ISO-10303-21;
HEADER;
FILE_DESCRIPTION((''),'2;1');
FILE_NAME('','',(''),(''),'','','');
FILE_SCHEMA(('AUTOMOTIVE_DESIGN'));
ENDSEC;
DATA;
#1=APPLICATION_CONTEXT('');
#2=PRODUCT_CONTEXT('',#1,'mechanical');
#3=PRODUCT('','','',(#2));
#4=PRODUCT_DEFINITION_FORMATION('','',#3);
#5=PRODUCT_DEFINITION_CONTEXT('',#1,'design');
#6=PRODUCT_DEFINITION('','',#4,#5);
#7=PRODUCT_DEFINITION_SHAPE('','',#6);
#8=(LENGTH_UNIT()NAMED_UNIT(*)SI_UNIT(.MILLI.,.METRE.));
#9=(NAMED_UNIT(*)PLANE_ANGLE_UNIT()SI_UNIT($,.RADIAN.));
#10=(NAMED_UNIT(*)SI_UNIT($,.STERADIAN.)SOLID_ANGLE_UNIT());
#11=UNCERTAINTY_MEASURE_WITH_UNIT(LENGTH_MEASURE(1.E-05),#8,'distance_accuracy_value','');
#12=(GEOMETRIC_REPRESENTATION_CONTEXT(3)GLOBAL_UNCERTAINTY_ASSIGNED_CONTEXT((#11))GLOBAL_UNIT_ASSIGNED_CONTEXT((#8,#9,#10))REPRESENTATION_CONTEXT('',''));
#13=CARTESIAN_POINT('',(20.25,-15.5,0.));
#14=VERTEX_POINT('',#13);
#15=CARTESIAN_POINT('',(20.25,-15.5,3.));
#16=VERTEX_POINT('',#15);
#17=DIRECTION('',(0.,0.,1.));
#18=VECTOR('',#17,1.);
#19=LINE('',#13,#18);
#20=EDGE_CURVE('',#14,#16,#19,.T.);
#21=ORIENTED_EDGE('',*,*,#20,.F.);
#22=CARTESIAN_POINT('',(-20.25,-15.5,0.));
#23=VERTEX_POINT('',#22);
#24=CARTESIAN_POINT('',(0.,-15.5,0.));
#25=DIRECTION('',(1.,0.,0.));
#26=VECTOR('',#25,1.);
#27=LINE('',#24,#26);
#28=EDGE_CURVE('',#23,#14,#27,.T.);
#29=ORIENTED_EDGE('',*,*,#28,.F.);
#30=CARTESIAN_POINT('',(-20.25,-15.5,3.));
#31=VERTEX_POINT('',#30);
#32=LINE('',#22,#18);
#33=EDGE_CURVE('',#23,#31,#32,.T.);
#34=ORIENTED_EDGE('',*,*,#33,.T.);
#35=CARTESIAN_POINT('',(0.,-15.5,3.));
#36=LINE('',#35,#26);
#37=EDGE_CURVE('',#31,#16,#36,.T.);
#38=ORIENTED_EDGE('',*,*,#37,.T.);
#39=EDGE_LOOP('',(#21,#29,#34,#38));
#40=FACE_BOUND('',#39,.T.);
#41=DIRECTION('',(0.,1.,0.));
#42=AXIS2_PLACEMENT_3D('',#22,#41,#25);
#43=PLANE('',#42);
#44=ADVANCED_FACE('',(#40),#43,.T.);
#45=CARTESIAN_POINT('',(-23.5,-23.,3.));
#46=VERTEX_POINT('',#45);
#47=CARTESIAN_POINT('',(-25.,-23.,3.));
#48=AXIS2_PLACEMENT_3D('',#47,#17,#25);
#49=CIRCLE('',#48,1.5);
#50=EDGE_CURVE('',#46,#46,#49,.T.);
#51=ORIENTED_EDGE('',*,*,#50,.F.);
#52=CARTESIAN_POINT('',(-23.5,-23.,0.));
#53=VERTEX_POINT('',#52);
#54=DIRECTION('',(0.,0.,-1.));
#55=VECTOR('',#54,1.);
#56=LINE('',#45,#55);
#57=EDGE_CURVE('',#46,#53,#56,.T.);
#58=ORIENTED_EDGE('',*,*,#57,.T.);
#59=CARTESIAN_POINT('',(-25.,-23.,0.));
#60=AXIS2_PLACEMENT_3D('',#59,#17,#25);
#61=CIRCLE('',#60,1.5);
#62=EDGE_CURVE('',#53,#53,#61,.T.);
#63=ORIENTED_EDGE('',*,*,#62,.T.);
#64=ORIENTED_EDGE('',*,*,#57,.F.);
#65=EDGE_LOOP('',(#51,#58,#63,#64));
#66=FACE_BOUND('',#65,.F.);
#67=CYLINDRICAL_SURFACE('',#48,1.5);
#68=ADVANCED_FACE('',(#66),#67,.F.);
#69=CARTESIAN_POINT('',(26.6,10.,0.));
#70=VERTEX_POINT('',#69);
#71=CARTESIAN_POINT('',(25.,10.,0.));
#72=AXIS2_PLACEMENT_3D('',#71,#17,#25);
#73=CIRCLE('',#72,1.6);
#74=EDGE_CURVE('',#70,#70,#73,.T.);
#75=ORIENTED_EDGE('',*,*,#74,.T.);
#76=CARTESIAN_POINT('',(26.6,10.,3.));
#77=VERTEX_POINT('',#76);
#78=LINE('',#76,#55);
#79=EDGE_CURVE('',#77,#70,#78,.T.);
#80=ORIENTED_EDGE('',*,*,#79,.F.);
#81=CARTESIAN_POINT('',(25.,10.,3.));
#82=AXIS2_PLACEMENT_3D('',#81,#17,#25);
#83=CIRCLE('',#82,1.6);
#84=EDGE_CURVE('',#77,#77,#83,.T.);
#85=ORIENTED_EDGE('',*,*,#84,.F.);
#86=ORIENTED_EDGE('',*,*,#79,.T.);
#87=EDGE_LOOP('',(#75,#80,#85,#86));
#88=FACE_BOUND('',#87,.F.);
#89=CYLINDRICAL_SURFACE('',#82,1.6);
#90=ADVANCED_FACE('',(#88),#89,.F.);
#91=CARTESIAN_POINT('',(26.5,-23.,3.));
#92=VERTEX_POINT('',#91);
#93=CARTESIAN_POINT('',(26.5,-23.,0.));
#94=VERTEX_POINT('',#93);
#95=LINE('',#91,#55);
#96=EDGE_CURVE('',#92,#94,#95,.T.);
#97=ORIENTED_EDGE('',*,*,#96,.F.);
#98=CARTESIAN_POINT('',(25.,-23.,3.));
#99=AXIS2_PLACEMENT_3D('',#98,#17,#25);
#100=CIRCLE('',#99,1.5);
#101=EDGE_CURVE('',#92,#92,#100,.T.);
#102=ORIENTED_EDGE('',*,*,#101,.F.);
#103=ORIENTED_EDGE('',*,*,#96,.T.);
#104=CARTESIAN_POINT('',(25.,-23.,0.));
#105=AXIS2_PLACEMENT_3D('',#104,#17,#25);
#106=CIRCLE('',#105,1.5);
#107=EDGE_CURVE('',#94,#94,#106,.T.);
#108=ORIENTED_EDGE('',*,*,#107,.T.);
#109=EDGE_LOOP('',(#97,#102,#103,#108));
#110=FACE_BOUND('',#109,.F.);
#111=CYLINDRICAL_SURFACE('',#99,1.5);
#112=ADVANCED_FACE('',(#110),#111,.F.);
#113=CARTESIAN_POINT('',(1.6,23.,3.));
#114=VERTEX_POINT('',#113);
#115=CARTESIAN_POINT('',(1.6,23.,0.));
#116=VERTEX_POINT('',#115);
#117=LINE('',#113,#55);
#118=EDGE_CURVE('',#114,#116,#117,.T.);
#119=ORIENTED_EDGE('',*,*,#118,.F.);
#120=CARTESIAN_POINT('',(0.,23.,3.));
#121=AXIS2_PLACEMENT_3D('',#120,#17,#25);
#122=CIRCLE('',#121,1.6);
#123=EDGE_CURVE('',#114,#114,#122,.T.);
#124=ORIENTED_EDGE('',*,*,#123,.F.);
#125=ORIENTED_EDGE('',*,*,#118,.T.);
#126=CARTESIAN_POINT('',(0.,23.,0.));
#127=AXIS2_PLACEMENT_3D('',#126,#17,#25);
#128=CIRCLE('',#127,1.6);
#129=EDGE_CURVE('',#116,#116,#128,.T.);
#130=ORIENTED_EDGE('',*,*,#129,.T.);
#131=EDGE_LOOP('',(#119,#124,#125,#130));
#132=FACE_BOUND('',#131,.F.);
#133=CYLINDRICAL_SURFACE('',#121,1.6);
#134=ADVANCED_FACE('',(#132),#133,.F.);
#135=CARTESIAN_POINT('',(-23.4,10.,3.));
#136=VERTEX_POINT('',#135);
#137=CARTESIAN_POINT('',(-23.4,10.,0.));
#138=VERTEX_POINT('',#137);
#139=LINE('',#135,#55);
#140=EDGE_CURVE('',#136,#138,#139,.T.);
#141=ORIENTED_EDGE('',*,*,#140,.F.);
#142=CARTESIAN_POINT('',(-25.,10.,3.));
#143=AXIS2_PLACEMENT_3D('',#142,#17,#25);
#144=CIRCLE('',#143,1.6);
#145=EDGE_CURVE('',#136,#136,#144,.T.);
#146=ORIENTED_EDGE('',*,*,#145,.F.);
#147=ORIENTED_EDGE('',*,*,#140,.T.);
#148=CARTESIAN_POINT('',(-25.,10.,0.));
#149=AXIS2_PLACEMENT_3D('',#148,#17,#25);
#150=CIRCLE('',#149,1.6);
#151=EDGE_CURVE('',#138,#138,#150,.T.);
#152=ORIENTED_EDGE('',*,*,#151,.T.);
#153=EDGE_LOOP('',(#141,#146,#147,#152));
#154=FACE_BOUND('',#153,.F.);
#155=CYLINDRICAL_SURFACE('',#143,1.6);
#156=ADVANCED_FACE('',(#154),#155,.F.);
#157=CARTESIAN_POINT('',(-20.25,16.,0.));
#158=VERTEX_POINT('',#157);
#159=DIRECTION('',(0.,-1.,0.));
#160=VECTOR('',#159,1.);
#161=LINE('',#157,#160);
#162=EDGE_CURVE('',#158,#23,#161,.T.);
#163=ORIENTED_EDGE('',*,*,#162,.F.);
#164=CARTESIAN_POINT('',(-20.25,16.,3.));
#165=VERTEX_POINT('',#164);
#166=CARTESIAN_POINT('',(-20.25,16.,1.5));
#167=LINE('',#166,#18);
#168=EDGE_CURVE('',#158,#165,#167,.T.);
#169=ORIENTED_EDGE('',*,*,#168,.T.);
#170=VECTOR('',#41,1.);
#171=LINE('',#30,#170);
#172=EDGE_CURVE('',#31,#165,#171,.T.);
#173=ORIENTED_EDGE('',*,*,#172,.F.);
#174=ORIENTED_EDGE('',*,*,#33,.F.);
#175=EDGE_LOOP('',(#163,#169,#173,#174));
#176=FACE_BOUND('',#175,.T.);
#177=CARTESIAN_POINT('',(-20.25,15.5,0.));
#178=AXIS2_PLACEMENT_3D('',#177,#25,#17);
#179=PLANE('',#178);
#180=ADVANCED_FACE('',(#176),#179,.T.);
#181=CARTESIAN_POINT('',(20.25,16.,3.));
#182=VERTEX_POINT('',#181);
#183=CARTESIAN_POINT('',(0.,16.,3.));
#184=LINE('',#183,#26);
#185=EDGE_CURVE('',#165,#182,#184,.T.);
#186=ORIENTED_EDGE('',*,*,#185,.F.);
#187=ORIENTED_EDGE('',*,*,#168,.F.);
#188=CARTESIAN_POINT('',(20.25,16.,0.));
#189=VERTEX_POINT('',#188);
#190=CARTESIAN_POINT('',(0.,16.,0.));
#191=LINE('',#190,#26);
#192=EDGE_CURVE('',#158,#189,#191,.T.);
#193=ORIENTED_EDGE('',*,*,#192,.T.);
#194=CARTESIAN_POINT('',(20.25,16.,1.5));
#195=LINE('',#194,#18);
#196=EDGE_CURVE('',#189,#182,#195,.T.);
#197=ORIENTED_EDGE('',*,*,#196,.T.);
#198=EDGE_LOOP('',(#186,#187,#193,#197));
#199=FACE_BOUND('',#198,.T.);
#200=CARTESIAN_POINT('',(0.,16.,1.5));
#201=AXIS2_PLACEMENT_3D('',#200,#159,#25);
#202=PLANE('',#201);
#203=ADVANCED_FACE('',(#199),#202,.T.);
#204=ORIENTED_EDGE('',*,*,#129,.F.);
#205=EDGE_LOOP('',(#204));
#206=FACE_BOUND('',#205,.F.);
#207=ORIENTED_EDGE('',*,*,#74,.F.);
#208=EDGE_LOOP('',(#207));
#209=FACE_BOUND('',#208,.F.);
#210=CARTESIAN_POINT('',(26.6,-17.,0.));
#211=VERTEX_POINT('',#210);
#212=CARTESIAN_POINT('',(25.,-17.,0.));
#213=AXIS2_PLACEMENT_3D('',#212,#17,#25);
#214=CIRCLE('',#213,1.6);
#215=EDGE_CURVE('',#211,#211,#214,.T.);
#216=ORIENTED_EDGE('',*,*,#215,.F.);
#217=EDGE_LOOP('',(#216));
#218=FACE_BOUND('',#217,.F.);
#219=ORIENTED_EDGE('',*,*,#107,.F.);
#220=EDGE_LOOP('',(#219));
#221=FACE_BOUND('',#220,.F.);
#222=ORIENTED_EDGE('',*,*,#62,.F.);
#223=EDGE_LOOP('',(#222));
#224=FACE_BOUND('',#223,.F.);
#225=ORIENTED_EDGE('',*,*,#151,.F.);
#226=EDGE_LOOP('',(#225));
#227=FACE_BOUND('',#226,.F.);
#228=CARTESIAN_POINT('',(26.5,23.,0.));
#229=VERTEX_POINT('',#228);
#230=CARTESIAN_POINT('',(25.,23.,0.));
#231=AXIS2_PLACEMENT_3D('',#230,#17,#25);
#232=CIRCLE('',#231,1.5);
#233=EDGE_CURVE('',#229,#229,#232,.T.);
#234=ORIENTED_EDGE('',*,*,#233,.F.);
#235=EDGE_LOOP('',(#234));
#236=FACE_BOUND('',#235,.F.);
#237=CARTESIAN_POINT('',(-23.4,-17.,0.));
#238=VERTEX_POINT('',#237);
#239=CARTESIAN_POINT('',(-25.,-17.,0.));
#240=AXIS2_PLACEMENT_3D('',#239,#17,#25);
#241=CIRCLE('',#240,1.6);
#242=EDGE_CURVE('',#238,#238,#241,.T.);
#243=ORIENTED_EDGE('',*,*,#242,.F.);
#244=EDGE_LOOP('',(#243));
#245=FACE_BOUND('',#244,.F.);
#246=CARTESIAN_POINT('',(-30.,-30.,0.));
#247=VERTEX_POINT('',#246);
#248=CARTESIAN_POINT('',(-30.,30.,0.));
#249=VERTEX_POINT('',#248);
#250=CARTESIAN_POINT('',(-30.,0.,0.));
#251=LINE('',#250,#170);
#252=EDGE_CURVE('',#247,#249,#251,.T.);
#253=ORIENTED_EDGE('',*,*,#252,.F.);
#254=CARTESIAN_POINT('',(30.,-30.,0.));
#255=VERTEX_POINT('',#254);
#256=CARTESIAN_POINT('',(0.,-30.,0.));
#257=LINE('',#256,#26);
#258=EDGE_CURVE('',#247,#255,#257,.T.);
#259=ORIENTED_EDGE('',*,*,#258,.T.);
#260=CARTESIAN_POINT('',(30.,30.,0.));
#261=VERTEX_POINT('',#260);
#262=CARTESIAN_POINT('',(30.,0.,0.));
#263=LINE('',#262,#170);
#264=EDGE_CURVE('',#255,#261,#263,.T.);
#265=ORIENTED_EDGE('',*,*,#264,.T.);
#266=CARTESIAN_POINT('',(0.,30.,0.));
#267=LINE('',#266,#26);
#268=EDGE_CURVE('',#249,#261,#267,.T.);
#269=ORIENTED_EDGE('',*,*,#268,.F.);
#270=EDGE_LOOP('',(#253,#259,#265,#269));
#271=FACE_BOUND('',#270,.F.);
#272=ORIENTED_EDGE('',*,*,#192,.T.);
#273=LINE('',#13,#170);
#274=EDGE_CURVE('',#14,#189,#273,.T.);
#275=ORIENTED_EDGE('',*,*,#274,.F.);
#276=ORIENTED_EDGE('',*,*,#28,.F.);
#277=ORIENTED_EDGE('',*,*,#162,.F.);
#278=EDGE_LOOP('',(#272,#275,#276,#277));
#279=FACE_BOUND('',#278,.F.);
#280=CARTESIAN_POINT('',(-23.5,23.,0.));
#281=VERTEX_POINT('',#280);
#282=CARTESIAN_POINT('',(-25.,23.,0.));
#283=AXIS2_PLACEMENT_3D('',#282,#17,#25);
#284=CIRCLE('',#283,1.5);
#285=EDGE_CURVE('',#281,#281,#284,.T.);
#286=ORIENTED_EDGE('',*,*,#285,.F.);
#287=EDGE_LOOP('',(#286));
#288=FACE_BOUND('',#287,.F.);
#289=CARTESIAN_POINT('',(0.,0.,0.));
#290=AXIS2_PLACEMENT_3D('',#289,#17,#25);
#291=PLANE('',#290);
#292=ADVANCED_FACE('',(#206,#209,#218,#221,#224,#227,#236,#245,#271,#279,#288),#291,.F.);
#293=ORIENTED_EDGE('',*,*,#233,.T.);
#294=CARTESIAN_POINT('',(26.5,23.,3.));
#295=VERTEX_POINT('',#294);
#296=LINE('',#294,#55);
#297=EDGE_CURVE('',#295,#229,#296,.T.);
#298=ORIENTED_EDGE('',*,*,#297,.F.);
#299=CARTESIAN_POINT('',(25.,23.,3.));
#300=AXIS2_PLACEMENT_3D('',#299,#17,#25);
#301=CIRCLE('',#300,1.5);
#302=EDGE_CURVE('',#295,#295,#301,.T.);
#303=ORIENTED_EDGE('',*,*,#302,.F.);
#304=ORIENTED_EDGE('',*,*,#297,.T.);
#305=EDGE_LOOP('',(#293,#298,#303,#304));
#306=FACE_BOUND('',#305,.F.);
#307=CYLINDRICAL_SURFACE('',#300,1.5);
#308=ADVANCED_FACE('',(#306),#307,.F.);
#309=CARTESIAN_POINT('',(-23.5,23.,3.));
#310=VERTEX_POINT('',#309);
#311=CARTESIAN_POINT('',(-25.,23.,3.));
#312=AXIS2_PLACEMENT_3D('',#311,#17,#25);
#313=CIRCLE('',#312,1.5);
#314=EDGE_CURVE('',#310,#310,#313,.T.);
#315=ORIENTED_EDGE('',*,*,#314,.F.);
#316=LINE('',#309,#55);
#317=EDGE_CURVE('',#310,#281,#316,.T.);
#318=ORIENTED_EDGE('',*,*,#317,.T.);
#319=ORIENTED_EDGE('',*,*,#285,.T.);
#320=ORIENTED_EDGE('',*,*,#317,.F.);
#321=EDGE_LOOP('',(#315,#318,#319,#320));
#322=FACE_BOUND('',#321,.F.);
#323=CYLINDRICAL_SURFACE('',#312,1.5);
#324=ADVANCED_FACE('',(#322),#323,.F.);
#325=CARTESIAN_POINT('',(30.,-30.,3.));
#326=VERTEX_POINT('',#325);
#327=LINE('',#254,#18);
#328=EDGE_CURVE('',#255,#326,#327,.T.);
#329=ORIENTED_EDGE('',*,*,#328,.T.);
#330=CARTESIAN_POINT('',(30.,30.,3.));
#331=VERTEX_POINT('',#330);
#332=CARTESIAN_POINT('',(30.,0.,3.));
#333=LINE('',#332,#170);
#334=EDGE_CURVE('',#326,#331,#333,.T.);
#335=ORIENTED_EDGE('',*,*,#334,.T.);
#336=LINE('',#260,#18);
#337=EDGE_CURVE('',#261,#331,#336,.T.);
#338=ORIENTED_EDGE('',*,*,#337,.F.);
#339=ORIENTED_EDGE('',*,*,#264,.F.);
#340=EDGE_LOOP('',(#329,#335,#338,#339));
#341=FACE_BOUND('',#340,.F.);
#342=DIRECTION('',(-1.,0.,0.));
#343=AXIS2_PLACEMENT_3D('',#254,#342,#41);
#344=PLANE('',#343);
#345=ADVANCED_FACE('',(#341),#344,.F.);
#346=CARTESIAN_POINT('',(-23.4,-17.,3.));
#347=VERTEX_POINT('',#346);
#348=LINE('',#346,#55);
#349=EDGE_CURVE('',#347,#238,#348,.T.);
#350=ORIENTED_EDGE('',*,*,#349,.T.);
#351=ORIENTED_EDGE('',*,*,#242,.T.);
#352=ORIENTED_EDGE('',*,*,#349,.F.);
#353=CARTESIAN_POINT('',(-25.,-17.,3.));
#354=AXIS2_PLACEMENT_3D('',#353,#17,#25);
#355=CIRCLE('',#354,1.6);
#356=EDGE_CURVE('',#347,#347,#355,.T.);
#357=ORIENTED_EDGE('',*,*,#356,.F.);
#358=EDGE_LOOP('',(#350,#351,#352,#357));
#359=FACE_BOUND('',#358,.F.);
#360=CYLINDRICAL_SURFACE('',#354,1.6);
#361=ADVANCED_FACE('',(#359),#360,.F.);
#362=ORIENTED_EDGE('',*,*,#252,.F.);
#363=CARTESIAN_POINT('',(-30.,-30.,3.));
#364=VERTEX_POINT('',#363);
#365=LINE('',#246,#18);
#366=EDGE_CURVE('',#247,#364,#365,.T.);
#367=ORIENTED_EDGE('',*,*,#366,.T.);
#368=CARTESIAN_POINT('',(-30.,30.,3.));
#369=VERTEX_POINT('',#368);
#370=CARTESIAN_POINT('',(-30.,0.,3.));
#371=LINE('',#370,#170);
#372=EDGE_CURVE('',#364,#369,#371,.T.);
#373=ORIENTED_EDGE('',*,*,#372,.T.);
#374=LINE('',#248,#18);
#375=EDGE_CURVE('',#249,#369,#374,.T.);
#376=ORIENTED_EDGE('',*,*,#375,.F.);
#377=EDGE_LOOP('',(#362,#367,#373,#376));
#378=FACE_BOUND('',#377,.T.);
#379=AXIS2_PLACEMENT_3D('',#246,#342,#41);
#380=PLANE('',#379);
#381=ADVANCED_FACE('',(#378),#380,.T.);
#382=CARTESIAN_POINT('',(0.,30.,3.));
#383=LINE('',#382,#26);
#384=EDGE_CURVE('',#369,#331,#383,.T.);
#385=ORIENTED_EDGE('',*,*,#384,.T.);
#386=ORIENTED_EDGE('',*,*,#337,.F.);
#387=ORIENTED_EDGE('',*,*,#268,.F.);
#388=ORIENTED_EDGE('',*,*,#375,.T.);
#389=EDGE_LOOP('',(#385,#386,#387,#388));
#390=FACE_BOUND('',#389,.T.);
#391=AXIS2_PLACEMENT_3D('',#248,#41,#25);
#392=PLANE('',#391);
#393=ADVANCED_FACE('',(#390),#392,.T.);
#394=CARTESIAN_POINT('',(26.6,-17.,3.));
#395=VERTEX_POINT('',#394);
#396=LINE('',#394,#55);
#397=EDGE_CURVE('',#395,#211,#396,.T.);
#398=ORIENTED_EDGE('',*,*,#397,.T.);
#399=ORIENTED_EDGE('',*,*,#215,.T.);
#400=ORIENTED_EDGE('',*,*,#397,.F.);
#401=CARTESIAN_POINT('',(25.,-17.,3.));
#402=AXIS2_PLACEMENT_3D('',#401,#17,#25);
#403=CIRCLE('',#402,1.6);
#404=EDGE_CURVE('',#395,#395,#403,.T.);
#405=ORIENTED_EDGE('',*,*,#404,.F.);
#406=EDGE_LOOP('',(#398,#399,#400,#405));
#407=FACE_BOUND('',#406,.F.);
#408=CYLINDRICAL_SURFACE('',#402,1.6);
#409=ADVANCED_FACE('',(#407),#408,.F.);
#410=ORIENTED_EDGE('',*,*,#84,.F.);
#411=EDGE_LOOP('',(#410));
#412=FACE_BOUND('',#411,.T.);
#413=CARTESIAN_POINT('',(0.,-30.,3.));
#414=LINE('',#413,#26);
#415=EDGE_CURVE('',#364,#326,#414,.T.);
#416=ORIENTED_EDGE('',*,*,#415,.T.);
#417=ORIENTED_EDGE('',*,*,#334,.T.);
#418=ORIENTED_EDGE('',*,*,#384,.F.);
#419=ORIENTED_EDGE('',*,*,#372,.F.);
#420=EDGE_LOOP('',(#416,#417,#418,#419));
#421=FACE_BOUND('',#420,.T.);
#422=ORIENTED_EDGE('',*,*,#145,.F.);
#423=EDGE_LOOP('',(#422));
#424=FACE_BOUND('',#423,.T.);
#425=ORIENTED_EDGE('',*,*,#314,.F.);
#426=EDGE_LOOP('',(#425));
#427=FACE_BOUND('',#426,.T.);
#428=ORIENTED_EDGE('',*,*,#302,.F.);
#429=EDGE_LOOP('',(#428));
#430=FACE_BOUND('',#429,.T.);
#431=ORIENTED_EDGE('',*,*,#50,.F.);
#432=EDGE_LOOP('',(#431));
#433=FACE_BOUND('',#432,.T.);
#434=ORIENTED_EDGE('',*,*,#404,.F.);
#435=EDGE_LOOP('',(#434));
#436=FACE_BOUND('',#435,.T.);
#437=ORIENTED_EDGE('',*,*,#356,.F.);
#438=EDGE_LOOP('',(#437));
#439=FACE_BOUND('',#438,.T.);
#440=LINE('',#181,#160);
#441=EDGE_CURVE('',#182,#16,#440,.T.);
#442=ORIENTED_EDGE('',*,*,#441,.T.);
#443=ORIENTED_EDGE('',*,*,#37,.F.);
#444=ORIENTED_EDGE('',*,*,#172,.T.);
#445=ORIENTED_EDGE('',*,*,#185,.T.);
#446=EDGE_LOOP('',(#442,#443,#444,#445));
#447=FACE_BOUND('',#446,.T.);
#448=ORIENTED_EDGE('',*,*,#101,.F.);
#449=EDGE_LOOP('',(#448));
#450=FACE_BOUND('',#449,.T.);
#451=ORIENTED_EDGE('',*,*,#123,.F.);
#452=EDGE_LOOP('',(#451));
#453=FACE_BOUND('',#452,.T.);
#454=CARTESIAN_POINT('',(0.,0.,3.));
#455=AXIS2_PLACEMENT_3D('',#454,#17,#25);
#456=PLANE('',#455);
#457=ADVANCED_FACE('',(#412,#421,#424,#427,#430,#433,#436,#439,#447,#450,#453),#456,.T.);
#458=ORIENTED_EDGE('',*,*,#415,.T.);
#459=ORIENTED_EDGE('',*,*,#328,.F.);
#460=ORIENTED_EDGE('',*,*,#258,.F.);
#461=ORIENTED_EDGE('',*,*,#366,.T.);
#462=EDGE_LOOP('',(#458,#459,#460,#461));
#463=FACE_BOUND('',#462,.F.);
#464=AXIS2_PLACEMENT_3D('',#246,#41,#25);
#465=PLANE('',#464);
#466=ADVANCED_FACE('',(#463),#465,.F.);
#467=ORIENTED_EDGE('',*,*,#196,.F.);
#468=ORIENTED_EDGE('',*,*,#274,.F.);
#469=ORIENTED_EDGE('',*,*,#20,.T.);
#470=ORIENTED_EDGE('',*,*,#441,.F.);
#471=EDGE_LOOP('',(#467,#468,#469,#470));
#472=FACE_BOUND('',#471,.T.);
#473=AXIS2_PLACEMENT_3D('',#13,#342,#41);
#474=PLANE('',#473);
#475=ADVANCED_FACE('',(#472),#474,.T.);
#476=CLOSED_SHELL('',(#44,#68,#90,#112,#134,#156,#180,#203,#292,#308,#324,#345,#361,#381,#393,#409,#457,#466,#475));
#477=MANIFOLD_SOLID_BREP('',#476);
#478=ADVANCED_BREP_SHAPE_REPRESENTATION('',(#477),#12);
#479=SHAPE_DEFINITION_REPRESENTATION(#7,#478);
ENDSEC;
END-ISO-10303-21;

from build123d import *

# Parameters (mm, degrees)
F0_W     = 60
F0_H     = 60
F0_W_2   = 40.5
F0_H_2   = 31
F1_DEPTH = 3
F2_R     = 1.5
F3_DEPTH = 3.001
F4_W     = 40.5
F4_H     = 3
F5_DEPTH = 0.5
F6_R     = 1.6
F7_DEPTH = 3.001


with BuildPart() as f1:
    # F0 (on Top) → F1 (new body)
    with BuildSketch(Plane.XY):
        Rectangle(F0_W, F0_H)
        Rectangle(F0_W_2, F0_H_2, mode=Mode.SUBTRACT)
    extrude(amount=F1_DEPTH)

    # F2 (on face) → F3 (cut, through all)
    with BuildSketch(Plane.XY.offset(3)):
        with Locations((-25, -23)):
            Circle(F2_R)
        with Locations((-25, 23)):
            Circle(F2_R)
        with Locations((25, 23)):
            Circle(F2_R)
        with Locations((25, -23)):
            Circle(F2_R)
    extrude(amount=-F3_DEPTH, mode=Mode.SUBTRACT)

    # F4 (on face) → F5 (cut)
    with BuildSketch(Plane.XZ.offset(-15.5)):
        with Locations((0, 1.5)):
            Rectangle(F4_W, F4_H)
    extrude(amount=-F5_DEPTH, mode=Mode.SUBTRACT)

    # F6 (on face) → F7 (cut, through all)
    with BuildSketch(Plane.XY.offset(3)):
        with Locations((-25, 10)):
            Circle(F6_R)
        with Locations((-25, -17)):
            Circle(F6_R)
        with Locations((25, 10)):
            Circle(F6_R)
        with Locations((25, -17)):
            Circle(F6_R)
        with Locations((0, 23)):
            Circle(F6_R)
    extrude(amount=-F7_DEPTH, mode=Mode.SUBTRACT)


solid = f1.part
